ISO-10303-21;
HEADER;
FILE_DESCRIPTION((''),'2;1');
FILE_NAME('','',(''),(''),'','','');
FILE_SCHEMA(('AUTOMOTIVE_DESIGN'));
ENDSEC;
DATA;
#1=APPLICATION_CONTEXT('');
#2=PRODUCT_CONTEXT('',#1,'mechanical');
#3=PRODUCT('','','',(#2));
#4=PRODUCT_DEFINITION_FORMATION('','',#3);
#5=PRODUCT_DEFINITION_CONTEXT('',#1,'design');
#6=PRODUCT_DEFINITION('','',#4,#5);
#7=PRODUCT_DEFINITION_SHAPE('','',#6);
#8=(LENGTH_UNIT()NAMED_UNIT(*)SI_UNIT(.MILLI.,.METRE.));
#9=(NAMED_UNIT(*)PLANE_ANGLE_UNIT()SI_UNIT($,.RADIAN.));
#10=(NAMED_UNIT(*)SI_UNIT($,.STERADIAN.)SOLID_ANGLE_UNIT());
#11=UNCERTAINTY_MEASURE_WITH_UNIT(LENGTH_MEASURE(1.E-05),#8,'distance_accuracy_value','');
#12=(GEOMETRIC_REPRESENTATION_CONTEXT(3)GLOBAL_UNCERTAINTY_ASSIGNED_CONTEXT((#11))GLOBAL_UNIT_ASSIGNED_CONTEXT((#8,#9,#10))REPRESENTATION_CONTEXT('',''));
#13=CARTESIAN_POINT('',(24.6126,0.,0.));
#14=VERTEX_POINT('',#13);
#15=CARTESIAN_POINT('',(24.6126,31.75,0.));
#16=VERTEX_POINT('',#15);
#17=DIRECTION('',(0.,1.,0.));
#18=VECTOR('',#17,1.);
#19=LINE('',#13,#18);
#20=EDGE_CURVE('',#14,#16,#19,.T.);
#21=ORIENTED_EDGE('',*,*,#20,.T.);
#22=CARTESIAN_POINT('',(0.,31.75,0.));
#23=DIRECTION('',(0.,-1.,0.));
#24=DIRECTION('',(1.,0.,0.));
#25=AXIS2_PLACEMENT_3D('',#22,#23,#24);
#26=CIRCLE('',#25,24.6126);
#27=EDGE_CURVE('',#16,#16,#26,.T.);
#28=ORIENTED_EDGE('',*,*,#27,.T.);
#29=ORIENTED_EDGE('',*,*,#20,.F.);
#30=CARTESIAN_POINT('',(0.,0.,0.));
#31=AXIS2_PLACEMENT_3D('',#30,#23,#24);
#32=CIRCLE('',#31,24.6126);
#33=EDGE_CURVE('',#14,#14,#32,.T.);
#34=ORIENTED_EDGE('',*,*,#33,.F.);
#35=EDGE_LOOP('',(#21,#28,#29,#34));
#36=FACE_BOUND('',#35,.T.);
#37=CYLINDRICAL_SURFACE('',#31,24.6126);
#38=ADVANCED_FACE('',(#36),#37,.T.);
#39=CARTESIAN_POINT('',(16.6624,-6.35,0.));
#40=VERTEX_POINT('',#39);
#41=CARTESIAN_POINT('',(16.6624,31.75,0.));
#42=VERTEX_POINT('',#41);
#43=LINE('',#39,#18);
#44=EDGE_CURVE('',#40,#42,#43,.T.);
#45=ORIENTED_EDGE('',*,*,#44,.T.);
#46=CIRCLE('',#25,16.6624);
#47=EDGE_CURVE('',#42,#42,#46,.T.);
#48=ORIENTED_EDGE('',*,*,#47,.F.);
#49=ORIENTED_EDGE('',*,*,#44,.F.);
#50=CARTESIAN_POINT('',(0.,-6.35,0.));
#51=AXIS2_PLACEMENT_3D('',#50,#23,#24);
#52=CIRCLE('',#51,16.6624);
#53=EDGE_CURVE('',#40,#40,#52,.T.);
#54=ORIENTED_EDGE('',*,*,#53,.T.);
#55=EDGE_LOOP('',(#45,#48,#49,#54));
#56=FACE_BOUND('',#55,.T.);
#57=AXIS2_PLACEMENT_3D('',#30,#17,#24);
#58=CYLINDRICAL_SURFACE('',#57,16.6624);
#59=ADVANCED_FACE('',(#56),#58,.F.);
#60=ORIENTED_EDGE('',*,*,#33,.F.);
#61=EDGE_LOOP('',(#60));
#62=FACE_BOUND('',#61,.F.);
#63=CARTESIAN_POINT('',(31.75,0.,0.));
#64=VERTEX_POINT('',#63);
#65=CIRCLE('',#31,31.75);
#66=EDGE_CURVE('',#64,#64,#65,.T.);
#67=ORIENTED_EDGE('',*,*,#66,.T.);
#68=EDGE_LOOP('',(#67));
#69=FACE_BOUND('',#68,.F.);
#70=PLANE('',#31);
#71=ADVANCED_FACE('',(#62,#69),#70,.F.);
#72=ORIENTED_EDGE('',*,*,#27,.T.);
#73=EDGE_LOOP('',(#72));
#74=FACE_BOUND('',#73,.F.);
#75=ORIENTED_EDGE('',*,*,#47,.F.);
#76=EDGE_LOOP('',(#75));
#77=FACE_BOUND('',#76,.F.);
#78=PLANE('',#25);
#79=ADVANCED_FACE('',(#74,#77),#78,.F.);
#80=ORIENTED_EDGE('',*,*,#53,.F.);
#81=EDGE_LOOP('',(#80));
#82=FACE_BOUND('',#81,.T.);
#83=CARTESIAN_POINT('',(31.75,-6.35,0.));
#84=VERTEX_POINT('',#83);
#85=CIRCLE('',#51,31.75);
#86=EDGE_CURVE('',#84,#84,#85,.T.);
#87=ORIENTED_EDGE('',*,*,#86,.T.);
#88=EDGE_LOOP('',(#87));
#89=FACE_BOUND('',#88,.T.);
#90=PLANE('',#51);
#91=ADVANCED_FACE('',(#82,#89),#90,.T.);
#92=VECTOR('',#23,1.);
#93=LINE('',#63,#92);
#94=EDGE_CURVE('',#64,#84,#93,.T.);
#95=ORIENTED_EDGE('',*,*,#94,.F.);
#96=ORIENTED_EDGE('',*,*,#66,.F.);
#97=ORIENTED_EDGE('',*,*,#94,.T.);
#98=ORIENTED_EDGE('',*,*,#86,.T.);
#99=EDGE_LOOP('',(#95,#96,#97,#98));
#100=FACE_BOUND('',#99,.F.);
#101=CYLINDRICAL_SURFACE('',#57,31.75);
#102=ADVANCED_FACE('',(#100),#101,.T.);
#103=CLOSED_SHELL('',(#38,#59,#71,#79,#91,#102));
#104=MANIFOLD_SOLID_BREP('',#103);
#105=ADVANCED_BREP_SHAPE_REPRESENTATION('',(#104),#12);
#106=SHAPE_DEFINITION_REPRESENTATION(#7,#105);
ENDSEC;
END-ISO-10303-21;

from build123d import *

# Parameters (mm, degrees)
F0_R     = 24.6126
F0_R_2   = 16.6624
F1_DEPTH = 31.75
F2_R     = 31.75
F2_R_2   = 16.6624
F3_DEPTH = 6.35


with BuildPart() as f1:
    # F0 (on Front) → F1 (new body)
    with BuildSketch(Plane.XZ):
        Circle(F0_R)
        Circle(F0_R_2, mode=Mode.SUBTRACT)
    extrude(amount=-F1_DEPTH)

    # F2 (on Front) → F3 (join)
    with BuildSketch(Plane.XZ):
        Circle(F2_R)
        Circle(F2_R_2, mode=Mode.SUBTRACT)
    extrude(amount=F3_DEPTH)


solid = f1.part
